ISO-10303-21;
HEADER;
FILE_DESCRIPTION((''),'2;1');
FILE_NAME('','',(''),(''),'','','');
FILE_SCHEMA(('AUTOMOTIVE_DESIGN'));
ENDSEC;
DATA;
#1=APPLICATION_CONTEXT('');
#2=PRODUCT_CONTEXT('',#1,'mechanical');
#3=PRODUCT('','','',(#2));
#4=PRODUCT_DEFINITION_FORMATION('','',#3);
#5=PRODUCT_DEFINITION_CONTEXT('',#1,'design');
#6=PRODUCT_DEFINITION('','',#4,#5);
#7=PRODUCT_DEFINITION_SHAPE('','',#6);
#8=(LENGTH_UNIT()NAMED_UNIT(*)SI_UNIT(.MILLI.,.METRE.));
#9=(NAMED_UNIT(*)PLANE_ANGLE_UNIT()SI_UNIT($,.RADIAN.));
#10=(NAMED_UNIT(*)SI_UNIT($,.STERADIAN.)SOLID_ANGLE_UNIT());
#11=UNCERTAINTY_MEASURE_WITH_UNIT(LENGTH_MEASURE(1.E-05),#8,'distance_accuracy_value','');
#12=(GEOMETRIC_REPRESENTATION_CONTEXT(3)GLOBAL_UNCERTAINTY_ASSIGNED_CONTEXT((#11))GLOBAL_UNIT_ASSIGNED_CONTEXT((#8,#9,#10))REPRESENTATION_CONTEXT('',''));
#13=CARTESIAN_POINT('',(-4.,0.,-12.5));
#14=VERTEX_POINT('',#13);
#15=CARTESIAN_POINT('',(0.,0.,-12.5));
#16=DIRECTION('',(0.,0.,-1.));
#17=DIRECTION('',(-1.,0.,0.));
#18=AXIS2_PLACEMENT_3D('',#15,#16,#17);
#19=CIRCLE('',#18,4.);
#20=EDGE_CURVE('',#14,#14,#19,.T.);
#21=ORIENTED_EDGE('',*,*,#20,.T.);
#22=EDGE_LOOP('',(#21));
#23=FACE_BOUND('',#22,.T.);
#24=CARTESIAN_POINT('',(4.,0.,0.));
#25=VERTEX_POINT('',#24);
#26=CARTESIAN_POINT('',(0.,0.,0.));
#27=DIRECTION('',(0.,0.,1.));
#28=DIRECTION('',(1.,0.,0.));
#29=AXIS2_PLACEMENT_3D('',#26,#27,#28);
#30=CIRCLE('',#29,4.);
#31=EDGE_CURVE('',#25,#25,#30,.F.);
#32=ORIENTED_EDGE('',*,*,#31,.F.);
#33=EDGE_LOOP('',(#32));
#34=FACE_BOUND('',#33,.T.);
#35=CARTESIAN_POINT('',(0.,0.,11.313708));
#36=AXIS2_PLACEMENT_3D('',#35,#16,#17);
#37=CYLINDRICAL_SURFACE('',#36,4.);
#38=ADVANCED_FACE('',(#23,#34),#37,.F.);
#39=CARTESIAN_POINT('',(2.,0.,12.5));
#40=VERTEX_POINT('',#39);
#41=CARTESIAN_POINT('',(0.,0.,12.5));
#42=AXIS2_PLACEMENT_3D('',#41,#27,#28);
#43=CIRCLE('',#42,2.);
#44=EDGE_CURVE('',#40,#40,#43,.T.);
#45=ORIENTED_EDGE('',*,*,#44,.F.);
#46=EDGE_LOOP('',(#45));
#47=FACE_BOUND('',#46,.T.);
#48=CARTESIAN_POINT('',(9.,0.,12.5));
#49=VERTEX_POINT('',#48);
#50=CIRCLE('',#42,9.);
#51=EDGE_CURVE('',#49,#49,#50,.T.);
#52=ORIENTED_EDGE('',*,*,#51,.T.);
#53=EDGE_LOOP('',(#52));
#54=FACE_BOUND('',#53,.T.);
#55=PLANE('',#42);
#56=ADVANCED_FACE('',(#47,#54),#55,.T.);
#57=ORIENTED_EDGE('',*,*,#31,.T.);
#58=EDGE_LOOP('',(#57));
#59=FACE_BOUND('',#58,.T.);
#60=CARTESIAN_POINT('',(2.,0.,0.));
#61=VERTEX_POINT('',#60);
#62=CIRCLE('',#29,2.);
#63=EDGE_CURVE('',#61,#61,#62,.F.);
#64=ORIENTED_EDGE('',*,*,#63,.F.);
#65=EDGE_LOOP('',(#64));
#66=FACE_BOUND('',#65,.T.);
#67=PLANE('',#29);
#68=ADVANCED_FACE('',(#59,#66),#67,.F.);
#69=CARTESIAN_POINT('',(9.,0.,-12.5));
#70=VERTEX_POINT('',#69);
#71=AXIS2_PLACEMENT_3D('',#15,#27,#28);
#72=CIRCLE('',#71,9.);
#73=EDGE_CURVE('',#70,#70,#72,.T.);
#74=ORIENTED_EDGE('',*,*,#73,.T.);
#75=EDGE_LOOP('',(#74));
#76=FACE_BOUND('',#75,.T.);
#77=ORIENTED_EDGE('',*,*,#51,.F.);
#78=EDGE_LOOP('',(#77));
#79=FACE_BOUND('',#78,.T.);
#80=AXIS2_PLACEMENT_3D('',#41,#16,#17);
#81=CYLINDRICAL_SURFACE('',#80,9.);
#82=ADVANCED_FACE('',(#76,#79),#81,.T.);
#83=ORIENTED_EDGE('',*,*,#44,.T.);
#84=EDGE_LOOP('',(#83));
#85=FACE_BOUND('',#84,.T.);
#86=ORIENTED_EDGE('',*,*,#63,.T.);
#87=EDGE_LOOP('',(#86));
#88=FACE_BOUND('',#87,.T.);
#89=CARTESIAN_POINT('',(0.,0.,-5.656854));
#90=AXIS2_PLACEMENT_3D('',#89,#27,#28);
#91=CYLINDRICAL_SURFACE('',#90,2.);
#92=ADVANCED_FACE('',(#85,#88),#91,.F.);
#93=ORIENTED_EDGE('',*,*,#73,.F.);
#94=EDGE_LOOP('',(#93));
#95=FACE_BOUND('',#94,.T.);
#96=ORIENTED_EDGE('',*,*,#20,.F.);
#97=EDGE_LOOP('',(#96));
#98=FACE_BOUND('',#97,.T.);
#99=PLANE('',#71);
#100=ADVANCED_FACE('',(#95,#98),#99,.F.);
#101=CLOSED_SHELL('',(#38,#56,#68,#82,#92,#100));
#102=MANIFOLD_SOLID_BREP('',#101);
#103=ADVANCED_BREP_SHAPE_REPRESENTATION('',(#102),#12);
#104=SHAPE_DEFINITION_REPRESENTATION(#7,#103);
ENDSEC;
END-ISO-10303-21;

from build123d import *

# Parameters (mm, degrees)
SKETCH1_R           = 9
BOSS_EXTRUDE1_DEPTH = 12.5
CUT_EXTRUDE1_START  = -12.5
SKETCH2_R           = 2
CUT_EXTRUDE1_DEPTH  = 12.5
CUT_EXTRUDE2_START  = -12.5
SKETCH3_R           = 4
CUT_EXTRUDE2_DEPTH  = 12.5


with BuildPart() as part:
    # Sketch1 → Boss-Extrude1 (new body, symmetric)
    with BuildSketch(Plane.XY):
        Circle(SKETCH1_R)
    extrude(amount=BOSS_EXTRUDE1_DEPTH, both=True)

    # Sketch2 → Cut-Extrude1 (cut)
    with BuildSketch(Plane.XY.offset(12.5).offset(CUT_EXTRUDE1_START)):
        Circle(SKETCH2_R)
    extrude(amount=CUT_EXTRUDE1_DEPTH, mode=Mode.SUBTRACT)

    # Sketch3 → Cut-Extrude2 (cut)
    with BuildSketch(Plane(origin=(0, 0, -12.5), x_dir=(-1, 0, 0), z_dir=(0, 0, -1)).offset(CUT_EXTRUDE2_START)):
        Circle(SKETCH3_R)
    extrude(amount=CUT_EXTRUDE2_DEPTH, mode=Mode.SUBTRACT)


solid = part.part
